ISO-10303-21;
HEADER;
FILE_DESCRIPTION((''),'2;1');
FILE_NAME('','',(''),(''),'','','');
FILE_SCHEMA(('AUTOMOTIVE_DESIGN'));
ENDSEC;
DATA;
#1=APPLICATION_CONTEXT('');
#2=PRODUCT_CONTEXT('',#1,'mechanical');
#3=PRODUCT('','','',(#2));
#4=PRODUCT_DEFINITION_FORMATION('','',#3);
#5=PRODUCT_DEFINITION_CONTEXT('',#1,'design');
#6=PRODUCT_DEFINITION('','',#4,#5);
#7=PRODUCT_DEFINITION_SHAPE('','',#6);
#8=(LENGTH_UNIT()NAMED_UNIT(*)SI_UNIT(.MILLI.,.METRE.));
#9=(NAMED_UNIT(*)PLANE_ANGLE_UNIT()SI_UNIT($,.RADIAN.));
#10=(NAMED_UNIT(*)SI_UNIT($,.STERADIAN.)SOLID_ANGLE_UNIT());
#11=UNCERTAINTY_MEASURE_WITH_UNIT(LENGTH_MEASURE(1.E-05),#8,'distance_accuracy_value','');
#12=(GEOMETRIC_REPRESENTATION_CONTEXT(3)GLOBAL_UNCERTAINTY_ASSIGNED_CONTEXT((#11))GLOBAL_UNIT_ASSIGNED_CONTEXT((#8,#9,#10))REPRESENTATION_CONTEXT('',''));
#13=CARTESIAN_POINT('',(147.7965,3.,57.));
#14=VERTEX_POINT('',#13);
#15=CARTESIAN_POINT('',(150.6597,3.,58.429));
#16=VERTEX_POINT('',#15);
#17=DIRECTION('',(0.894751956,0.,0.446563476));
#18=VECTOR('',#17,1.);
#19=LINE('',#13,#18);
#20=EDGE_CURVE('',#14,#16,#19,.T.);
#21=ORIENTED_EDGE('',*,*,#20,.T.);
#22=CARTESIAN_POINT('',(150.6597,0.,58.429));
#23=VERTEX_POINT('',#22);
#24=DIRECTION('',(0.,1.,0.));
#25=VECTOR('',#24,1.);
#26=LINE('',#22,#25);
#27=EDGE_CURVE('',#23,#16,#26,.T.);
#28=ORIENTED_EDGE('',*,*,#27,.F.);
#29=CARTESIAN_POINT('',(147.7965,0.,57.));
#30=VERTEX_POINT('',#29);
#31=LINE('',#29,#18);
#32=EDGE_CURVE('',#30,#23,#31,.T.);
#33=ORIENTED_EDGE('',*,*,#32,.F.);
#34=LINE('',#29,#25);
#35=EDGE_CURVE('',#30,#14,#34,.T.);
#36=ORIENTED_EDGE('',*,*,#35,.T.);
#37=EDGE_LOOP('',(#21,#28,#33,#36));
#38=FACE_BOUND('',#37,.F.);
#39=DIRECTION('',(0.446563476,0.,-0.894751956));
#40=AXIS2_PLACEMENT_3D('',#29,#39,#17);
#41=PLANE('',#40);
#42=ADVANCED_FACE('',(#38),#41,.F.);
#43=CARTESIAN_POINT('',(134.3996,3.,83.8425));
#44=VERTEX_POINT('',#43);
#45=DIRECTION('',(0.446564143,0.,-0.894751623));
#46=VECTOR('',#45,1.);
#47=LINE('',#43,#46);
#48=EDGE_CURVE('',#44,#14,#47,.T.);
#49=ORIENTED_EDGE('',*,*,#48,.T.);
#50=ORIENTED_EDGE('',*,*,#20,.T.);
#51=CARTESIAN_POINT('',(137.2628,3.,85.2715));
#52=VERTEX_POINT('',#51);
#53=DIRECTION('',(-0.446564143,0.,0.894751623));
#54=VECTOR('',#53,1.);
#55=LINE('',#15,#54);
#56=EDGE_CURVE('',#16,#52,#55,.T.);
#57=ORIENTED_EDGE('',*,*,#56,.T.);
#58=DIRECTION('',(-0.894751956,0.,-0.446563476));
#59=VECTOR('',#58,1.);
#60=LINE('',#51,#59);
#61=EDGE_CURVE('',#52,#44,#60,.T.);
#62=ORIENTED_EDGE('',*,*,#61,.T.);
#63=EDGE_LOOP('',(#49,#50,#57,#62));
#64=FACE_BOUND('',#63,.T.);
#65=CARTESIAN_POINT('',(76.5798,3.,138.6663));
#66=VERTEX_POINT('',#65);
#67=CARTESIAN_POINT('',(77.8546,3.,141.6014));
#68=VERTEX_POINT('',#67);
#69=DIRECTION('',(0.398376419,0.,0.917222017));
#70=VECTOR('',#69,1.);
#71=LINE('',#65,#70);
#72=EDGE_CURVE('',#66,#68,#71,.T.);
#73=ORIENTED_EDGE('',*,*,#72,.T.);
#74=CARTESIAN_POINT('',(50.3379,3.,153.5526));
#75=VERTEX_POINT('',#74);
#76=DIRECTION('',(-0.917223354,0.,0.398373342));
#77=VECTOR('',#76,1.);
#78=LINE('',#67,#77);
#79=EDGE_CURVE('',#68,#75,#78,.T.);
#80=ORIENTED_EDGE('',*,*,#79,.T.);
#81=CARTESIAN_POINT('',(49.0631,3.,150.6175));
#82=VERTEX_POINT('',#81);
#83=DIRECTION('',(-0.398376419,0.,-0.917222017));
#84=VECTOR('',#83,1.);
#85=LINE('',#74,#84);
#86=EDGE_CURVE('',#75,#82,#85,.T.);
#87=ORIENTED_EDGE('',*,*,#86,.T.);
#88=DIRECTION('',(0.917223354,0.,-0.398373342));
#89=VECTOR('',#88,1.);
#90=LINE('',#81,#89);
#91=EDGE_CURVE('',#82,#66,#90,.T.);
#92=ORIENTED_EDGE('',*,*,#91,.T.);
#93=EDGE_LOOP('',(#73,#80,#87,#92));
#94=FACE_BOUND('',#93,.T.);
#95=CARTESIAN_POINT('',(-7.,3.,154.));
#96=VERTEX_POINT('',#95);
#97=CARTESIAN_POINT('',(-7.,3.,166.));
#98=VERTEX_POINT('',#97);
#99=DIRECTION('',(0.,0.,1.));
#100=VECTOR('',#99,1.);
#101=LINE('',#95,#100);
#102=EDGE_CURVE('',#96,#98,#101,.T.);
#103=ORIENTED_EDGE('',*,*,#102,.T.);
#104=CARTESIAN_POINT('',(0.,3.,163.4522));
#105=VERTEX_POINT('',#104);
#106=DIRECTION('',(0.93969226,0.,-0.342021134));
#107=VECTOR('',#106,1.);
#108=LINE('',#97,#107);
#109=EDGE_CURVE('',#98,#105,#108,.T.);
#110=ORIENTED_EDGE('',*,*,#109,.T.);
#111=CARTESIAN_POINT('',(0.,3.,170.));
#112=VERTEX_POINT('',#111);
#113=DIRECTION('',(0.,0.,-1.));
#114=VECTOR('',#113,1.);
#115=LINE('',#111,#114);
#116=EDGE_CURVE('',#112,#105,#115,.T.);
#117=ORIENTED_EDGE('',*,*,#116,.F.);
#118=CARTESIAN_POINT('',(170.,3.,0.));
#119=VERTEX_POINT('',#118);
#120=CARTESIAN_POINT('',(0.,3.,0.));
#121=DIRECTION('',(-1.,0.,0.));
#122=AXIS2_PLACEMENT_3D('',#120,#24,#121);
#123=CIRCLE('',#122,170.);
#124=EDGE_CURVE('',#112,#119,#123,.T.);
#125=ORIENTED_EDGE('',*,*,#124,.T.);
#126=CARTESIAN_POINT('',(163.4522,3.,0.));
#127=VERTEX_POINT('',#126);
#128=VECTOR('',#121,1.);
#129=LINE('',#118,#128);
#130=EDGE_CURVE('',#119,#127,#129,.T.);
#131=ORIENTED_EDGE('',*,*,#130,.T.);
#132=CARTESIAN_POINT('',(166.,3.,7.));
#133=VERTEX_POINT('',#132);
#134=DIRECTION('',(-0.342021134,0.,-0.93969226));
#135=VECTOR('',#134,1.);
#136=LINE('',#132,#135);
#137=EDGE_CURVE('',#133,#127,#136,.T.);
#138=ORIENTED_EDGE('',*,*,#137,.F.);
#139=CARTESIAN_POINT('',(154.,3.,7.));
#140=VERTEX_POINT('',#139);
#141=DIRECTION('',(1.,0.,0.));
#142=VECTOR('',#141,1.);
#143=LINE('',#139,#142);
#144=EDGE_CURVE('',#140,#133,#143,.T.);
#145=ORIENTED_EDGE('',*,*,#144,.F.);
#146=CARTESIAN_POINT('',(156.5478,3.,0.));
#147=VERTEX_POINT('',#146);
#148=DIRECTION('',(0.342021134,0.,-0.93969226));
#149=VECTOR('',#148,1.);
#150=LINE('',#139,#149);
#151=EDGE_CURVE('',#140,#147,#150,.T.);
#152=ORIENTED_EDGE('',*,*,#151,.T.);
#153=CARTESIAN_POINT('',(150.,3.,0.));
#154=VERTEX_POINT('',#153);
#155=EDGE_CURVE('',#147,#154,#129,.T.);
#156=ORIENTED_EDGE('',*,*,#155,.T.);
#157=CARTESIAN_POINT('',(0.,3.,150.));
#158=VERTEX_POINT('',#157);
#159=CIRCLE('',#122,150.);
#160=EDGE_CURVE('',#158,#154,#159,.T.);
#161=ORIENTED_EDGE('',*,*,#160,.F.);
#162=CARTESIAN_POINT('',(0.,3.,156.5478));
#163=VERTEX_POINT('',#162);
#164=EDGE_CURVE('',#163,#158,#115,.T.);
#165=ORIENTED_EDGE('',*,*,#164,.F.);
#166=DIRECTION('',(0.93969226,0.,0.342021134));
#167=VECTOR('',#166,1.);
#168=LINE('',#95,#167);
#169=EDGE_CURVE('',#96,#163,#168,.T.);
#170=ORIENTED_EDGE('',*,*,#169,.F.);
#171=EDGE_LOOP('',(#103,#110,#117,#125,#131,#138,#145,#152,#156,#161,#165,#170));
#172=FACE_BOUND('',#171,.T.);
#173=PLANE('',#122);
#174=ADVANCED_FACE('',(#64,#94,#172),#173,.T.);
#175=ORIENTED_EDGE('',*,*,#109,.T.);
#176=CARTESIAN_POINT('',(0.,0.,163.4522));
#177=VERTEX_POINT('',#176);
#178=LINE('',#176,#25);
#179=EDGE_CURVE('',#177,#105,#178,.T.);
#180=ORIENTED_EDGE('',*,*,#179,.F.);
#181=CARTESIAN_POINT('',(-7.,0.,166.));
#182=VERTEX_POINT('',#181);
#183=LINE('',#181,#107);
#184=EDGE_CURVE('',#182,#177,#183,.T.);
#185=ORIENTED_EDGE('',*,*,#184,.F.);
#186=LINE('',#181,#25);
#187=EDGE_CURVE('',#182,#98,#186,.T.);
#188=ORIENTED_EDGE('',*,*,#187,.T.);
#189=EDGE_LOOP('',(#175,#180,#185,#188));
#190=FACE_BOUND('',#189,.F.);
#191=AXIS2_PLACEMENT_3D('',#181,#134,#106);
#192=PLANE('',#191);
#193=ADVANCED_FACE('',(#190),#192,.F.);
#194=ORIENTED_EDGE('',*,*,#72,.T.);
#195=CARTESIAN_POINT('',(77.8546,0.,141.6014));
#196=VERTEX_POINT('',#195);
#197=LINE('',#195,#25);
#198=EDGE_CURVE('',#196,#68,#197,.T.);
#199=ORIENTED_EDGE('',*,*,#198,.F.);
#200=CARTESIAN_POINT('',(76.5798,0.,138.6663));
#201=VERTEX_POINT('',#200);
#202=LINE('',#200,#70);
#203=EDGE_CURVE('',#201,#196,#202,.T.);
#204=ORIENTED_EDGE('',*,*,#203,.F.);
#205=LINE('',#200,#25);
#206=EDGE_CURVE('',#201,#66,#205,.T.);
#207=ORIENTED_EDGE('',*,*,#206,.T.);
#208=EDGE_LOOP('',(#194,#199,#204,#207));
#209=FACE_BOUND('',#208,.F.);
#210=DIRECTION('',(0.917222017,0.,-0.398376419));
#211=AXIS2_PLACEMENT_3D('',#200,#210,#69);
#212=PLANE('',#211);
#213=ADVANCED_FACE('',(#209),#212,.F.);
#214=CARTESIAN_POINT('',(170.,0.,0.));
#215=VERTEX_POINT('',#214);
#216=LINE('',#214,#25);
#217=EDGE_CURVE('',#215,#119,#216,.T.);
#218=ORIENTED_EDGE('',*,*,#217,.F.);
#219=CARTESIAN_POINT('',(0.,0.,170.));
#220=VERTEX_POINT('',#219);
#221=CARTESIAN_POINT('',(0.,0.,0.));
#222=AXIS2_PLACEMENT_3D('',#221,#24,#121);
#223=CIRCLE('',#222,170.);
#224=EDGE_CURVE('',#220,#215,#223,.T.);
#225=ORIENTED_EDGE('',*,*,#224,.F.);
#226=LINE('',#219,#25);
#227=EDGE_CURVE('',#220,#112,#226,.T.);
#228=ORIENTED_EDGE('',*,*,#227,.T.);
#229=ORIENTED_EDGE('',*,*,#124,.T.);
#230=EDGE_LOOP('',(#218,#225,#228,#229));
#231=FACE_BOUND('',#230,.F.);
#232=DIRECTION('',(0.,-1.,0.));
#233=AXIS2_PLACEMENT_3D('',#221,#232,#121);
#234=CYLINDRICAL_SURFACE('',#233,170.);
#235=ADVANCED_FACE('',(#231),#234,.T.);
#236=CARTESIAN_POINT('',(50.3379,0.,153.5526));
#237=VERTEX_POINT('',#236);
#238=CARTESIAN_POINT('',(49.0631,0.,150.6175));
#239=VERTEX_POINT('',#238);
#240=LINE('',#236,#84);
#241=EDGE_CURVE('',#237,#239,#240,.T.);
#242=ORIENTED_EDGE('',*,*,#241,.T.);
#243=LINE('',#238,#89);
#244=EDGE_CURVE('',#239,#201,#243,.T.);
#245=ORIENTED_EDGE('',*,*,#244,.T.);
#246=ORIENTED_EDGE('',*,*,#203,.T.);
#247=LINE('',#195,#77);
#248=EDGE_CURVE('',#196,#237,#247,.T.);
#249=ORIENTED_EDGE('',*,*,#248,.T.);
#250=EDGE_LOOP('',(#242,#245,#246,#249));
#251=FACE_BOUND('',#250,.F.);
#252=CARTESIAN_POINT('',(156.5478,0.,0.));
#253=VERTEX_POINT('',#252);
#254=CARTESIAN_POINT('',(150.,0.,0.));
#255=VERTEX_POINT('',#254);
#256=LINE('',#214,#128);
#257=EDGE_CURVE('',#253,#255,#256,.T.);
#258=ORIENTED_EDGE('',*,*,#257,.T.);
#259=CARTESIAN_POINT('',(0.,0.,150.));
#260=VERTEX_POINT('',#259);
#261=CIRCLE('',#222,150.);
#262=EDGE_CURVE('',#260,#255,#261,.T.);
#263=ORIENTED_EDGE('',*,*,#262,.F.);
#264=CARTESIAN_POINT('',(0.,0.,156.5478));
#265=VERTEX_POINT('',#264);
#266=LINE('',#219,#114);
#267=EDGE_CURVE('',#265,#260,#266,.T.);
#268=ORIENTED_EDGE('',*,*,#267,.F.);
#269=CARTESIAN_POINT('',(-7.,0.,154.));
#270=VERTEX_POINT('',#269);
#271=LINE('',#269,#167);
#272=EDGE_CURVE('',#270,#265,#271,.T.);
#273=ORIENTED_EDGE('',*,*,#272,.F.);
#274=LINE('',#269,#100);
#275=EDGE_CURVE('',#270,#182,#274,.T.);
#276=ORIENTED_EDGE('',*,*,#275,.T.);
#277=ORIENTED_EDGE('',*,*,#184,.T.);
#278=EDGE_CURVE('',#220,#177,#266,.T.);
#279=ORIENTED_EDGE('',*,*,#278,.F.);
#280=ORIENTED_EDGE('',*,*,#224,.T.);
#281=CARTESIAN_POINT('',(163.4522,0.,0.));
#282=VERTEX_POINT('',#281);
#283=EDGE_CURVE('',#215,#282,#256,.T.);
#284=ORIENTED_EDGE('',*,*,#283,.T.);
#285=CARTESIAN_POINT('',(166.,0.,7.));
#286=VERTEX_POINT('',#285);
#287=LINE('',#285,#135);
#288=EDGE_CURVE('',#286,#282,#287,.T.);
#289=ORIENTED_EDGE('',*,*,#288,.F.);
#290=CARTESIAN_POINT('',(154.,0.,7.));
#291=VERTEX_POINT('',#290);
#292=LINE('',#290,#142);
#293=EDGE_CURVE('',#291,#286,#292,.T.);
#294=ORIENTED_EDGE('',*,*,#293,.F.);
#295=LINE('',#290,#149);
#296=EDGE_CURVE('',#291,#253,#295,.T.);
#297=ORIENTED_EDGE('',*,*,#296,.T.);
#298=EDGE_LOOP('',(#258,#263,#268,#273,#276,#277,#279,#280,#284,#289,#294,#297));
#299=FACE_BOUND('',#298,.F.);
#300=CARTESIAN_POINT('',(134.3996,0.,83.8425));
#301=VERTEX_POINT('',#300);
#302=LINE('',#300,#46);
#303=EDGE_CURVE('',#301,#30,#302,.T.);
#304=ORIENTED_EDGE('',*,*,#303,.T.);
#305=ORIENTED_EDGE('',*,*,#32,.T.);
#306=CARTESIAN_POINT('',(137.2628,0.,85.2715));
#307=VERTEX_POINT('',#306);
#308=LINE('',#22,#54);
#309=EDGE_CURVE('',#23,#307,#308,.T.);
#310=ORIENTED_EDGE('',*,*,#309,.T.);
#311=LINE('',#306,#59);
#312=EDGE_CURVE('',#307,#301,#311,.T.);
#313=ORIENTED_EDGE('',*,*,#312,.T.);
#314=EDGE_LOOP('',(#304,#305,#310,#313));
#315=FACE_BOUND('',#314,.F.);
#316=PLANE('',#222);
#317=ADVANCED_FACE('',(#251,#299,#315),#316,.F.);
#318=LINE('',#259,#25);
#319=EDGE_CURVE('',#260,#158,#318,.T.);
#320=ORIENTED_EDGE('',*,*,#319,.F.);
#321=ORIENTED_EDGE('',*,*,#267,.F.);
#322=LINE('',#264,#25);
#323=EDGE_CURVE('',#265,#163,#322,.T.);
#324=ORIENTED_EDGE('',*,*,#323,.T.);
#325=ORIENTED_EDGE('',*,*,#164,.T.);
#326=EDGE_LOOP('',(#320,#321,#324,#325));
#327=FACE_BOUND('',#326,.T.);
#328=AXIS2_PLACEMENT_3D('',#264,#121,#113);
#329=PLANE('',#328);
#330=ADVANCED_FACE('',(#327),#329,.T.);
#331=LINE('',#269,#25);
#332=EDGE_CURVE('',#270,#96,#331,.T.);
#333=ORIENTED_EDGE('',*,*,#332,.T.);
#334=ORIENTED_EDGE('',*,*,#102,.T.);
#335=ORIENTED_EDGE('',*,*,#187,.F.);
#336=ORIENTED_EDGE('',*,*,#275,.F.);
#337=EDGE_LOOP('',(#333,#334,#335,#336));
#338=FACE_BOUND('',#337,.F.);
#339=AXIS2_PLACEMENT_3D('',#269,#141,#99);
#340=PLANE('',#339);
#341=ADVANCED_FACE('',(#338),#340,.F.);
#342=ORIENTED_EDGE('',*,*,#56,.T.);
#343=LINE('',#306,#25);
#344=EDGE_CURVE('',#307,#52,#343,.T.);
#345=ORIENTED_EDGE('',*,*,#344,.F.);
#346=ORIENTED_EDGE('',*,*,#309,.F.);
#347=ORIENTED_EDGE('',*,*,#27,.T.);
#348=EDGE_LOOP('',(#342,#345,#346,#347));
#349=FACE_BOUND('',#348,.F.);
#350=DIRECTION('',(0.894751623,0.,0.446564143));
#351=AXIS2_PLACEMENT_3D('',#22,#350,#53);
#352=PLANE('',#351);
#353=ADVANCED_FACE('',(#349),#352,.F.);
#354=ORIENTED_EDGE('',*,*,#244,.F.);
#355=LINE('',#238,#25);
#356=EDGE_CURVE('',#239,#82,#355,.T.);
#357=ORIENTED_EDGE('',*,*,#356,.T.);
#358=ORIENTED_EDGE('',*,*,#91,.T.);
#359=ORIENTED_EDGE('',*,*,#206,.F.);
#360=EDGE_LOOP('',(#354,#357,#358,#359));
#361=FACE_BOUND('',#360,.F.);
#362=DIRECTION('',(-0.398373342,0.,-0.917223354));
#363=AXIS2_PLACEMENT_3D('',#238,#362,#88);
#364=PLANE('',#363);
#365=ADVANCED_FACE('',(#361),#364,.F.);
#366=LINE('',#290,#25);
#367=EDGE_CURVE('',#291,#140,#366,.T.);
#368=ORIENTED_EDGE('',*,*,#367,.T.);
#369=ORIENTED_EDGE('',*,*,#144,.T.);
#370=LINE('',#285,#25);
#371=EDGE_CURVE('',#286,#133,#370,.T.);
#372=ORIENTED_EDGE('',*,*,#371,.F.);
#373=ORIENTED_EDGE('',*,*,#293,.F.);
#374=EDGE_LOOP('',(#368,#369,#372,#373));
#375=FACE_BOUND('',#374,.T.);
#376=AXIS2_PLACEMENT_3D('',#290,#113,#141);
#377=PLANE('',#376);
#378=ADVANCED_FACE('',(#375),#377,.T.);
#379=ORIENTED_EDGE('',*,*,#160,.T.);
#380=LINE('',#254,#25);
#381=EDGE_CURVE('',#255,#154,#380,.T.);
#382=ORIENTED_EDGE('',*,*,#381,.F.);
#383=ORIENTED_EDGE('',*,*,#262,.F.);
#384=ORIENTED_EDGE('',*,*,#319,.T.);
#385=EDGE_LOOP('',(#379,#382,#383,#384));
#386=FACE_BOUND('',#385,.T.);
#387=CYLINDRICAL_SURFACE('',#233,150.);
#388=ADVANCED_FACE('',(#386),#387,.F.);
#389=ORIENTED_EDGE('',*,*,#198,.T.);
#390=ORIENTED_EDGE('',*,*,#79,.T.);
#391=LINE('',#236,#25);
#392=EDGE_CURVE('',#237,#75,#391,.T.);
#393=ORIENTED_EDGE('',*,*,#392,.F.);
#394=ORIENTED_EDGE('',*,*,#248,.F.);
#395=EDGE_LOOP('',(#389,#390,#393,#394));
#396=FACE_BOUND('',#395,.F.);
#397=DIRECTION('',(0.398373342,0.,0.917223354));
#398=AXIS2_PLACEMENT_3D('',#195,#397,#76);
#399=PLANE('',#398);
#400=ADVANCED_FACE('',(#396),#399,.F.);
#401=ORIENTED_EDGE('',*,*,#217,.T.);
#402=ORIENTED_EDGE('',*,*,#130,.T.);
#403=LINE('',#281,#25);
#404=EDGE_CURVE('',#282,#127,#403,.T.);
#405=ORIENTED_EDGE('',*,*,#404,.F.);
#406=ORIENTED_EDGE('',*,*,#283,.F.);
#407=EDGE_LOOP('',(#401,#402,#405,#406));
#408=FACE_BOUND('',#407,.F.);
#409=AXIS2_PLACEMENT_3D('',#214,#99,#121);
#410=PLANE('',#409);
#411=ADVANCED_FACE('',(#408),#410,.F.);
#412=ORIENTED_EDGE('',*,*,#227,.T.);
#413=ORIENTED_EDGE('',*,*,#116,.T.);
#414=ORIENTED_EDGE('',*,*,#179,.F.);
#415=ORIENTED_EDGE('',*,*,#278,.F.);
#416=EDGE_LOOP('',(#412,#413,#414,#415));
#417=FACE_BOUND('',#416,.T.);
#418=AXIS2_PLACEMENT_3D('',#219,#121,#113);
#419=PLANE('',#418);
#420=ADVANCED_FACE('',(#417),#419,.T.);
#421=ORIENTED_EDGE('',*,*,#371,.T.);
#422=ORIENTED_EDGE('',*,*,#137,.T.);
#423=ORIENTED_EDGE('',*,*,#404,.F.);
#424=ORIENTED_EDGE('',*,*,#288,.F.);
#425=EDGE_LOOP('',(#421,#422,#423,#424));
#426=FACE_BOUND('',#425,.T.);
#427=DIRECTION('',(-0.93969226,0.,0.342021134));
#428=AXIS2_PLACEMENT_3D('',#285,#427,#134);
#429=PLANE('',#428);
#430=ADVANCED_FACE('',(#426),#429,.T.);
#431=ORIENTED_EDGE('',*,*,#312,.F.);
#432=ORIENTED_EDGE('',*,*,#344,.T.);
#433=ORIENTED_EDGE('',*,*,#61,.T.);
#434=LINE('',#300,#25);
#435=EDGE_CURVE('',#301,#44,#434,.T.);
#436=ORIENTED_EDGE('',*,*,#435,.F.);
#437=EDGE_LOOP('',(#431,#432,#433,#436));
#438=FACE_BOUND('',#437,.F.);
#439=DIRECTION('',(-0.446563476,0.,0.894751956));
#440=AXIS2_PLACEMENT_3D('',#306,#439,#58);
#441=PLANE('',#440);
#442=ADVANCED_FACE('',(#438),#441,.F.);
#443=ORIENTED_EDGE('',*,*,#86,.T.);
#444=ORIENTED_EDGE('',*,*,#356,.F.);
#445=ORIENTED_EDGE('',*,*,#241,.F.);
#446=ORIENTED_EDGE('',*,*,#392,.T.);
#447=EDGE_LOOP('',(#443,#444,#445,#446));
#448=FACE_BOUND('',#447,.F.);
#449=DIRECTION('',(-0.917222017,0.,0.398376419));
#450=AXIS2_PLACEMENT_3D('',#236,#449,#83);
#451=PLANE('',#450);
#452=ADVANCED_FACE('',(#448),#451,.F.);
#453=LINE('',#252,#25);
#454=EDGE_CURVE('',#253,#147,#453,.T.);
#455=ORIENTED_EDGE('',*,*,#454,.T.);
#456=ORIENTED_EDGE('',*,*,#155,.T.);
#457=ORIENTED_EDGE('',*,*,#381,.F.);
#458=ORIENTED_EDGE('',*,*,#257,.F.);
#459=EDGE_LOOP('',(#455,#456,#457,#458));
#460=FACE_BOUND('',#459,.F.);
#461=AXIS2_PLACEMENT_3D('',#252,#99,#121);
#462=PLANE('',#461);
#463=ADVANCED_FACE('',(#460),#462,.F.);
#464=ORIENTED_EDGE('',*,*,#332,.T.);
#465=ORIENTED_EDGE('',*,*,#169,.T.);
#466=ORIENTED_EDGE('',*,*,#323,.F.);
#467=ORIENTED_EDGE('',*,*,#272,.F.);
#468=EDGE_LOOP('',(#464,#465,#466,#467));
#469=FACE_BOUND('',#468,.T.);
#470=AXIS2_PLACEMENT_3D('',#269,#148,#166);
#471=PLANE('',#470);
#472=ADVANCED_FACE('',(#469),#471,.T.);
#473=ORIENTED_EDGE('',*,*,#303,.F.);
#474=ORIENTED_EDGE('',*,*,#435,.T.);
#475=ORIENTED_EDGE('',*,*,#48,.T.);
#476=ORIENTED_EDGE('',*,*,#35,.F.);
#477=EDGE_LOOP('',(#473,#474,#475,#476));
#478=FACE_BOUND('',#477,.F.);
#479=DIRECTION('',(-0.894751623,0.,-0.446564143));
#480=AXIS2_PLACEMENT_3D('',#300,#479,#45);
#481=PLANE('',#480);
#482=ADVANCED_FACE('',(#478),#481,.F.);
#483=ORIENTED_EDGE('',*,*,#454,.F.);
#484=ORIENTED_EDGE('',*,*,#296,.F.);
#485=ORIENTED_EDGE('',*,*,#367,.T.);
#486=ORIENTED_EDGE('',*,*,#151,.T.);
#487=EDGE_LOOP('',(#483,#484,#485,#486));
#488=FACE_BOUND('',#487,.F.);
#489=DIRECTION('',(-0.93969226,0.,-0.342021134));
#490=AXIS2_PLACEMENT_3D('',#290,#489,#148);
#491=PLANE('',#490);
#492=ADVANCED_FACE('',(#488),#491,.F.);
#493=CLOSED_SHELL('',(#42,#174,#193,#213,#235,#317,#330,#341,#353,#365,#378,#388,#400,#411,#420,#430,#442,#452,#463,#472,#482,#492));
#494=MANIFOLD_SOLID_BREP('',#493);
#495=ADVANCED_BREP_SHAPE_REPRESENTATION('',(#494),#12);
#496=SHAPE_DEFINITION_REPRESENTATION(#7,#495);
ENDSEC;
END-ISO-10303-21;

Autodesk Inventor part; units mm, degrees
ref_plane "YZ Plane" through (0, 0, 0) normal (1, 0, 0) x (0, 1, 0)
ref_plane "XZ Plane" through (0, 0, 0) normal (0, 1, 0) x (-1, 0, 0)
ref_plane "XY Plane" through (0, 0, 0) normal (0, 0, 1) x (1, 0, 0)
sketch "Sketch1" plane through (0, 0, 0) normal (0, 1, 0) x (-1, 0, 0)
  circle A0 centre (0, 0) radius 150
  circle A1 centre (0, 0) radius 170
  line L0 (170, 0) -> (150, 0)
  line L1 (-170, 0) -> (-150, 0)
  line L2 (0, 0) -> (-150, 0) construction
  line L3 (0, 150) -> (0, 0) construction
  line L4 (0, 170) -> (0, 150)
  line L5 (-150, 0) -> (-170, 0)
  line L6 (-154, 7) -> (-166, 7)
  line L7 (-166, 7) -> (-163.4522, 0)
  line L8 (-154, 7) -> (-156.5478, 0)
  line L9 (-160, 0) -> (-160, 7) construction
  line L10 (-150.6597, 58.429) -> (-137.2628, 85.2715)
  line L11 (-137.2628, 85.2715) -> (-134.3996, 83.8425)
  line L12 (-134.3996, 83.8425) -> (-147.7965, 57)
  line L13 (-147.7965, 57) -> (-150.6597, 58.429)
  line L14 (-150.6597, 58.429) -> (-134.3996, 83.8425) construction
  line L15 (-137.2628, 85.2715) -> (-147.7965, 57) construction
  circle A2 centre (0, 0) radius 160 construction
  line L16 (-7, -154) -> (0, -156.5478)
  line L17 (-7, -166) -> (0, -163.4522)
  line L18 (-7, -154) -> (-7, -166)
  line L19 (154, -7) -> (156.5478, 0)
  line L20 (166, -7) -> (163.4522, 0)
  line L21 (154, -7) -> (166, -7)
  line L22 (7, 154) -> (0, 156.5478)
  line L23 (7, 166) -> (0, 163.4522)
  line L24 (7, 154) -> (7, 166)
  line L25 (-152.9695, -52.083) -> (-159.9609, -22.909)
  line L26 (-149.8576, -51.3372) -> (-152.9695, -52.083)
  line L27 (-156.849, -22.1633) -> (-149.8576, -51.3372)
  line L28 (-159.9609, -22.909) -> (-156.849, -22.1633)
  line L29 (-83.7031, -138.2248) -> (-107.8115, -120.3702)
  line L30 (-81.7986, -135.6532) -> (-83.7031, -138.2248)
  line L31 (-105.907, -117.7986) -> (-81.7986, -135.6532)
  line L32 (-107.8115, -120.3702) -> (-105.907, -117.7986)
  line L33 (24.7289, -159.6897) -> (-5.2159, -161.5088)
  line L34 (24.5348, -156.4956) -> (24.7289, -159.6897)
  line L35 (-5.41, -158.3147) -> (24.5348, -156.4956)
  line L36 (-5.2159, -161.5088) -> (-5.41, -158.3147)
  line L37 (121.5899, -106.434) -> (99.8202, -127.0757)
  line L38 (119.3882, -104.1119) -> (121.5899, -106.434)
  line L39 (97.6185, -124.7536) -> (119.3882, -104.1119)
  line L40 (99.8202, -127.0757) -> (97.6185, -124.7536)
  line L41 (161.5577, -3.3766) -> (158.1494, -33.1824)
  line L42 (158.3785, -3.0131) -> (161.5577, -3.3766)
  line L43 (154.9701, -32.8188) -> (158.3785, -3.0131)
  line L44 (158.1494, -33.1824) -> (154.9701, -32.8188)
  line L45 (125.9309, 101.2607) -> (142.4787, 76.2373)
  line L46 (123.2617, 99.4956) -> (125.9309, 101.2607)
  line L47 (139.8095, 74.4722) -> (123.2617, 99.4956)
  line L48 (142.4787, 76.2373) -> (139.8095, 74.4722)
  line L49 (31.3796, 158.517) -> (60.1406, 149.9847)
  line L50 (30.4694, 155.4491) -> (31.3796, 158.517)
  line L51 (59.2305, 146.9168) -> (30.4694, 155.4491)
  line L52 (60.1406, 149.9847) -> (59.2305, 146.9168)
  line L53 (-77.8546, 141.6014) -> (-50.3379, 153.5526)
  line L54 (-76.5798, 138.6663) -> (-77.8546, 141.6014)
  line L55 (-49.0631, 150.6175) -> (-76.5798, 138.6663)
  line L56 (-50.3379, 153.5526) -> (-49.0631, 150.6175)
  point P0 (160, 0)
  point P1 (-160, 0)
  point P2 (-142.5297, 71.1358)
  point P3 (-30.5894, 157.0487)
  point P4 (-149.2281, 57.7145)
  point P5 (-135.8312, 84.557)
  point P6 (-7, -160)
  point P7 (160, -7)
  point P8 (7, 160)
  point P9 (-151.4136, -51.7101)
  point P10 (-158.4049, -22.5361)
  point P11 (-82.7509, -136.939)
  point P12 (-106.8593, -119.0844)
  point P13 (24.6318, -158.0926)
  point P14 (-5.313, -159.9118)
  point P15 (120.4891, -105.2729)
  point P16 (98.7193, -125.9146)
  point P17 (159.9681, -3.1949)
  point P18 (156.5598, -33.0006)
  point P19 (124.5963, 100.3781)
  point P20 (141.1441, 75.3547)
  point P21 (30.9245, 156.983)
  point P22 (59.6856, 148.4508)
  point P23 (-77.2172, 140.1339)
  point P24 (-49.7005, 152.085)
  point P25 (-156.5478, 0)
  point P26 (0, 156.5478)
  point P27 (0, 163.4522)
  dimension "d0" = 300
  dimension "d1" = 340
  dimension "d4" = 90
  dimension "d5" = 7
  dimension "d6" = 70
  dimension "d8" = 12
  dimension "d13" = 3.2
  dimension "d14" = 30
  dimension "d15" = 50
  dimension "d20" = 320
  dimension "d23" = 360
  dimension "d27" = 360
extrude "Extrusion1" add sketch "Sketch1" along normal blind 3 contours A0 L1 L8 L6 L7 A1 L4 | L4 L23 L24 L22
properties part number "R30_CM_CIRCULO"
